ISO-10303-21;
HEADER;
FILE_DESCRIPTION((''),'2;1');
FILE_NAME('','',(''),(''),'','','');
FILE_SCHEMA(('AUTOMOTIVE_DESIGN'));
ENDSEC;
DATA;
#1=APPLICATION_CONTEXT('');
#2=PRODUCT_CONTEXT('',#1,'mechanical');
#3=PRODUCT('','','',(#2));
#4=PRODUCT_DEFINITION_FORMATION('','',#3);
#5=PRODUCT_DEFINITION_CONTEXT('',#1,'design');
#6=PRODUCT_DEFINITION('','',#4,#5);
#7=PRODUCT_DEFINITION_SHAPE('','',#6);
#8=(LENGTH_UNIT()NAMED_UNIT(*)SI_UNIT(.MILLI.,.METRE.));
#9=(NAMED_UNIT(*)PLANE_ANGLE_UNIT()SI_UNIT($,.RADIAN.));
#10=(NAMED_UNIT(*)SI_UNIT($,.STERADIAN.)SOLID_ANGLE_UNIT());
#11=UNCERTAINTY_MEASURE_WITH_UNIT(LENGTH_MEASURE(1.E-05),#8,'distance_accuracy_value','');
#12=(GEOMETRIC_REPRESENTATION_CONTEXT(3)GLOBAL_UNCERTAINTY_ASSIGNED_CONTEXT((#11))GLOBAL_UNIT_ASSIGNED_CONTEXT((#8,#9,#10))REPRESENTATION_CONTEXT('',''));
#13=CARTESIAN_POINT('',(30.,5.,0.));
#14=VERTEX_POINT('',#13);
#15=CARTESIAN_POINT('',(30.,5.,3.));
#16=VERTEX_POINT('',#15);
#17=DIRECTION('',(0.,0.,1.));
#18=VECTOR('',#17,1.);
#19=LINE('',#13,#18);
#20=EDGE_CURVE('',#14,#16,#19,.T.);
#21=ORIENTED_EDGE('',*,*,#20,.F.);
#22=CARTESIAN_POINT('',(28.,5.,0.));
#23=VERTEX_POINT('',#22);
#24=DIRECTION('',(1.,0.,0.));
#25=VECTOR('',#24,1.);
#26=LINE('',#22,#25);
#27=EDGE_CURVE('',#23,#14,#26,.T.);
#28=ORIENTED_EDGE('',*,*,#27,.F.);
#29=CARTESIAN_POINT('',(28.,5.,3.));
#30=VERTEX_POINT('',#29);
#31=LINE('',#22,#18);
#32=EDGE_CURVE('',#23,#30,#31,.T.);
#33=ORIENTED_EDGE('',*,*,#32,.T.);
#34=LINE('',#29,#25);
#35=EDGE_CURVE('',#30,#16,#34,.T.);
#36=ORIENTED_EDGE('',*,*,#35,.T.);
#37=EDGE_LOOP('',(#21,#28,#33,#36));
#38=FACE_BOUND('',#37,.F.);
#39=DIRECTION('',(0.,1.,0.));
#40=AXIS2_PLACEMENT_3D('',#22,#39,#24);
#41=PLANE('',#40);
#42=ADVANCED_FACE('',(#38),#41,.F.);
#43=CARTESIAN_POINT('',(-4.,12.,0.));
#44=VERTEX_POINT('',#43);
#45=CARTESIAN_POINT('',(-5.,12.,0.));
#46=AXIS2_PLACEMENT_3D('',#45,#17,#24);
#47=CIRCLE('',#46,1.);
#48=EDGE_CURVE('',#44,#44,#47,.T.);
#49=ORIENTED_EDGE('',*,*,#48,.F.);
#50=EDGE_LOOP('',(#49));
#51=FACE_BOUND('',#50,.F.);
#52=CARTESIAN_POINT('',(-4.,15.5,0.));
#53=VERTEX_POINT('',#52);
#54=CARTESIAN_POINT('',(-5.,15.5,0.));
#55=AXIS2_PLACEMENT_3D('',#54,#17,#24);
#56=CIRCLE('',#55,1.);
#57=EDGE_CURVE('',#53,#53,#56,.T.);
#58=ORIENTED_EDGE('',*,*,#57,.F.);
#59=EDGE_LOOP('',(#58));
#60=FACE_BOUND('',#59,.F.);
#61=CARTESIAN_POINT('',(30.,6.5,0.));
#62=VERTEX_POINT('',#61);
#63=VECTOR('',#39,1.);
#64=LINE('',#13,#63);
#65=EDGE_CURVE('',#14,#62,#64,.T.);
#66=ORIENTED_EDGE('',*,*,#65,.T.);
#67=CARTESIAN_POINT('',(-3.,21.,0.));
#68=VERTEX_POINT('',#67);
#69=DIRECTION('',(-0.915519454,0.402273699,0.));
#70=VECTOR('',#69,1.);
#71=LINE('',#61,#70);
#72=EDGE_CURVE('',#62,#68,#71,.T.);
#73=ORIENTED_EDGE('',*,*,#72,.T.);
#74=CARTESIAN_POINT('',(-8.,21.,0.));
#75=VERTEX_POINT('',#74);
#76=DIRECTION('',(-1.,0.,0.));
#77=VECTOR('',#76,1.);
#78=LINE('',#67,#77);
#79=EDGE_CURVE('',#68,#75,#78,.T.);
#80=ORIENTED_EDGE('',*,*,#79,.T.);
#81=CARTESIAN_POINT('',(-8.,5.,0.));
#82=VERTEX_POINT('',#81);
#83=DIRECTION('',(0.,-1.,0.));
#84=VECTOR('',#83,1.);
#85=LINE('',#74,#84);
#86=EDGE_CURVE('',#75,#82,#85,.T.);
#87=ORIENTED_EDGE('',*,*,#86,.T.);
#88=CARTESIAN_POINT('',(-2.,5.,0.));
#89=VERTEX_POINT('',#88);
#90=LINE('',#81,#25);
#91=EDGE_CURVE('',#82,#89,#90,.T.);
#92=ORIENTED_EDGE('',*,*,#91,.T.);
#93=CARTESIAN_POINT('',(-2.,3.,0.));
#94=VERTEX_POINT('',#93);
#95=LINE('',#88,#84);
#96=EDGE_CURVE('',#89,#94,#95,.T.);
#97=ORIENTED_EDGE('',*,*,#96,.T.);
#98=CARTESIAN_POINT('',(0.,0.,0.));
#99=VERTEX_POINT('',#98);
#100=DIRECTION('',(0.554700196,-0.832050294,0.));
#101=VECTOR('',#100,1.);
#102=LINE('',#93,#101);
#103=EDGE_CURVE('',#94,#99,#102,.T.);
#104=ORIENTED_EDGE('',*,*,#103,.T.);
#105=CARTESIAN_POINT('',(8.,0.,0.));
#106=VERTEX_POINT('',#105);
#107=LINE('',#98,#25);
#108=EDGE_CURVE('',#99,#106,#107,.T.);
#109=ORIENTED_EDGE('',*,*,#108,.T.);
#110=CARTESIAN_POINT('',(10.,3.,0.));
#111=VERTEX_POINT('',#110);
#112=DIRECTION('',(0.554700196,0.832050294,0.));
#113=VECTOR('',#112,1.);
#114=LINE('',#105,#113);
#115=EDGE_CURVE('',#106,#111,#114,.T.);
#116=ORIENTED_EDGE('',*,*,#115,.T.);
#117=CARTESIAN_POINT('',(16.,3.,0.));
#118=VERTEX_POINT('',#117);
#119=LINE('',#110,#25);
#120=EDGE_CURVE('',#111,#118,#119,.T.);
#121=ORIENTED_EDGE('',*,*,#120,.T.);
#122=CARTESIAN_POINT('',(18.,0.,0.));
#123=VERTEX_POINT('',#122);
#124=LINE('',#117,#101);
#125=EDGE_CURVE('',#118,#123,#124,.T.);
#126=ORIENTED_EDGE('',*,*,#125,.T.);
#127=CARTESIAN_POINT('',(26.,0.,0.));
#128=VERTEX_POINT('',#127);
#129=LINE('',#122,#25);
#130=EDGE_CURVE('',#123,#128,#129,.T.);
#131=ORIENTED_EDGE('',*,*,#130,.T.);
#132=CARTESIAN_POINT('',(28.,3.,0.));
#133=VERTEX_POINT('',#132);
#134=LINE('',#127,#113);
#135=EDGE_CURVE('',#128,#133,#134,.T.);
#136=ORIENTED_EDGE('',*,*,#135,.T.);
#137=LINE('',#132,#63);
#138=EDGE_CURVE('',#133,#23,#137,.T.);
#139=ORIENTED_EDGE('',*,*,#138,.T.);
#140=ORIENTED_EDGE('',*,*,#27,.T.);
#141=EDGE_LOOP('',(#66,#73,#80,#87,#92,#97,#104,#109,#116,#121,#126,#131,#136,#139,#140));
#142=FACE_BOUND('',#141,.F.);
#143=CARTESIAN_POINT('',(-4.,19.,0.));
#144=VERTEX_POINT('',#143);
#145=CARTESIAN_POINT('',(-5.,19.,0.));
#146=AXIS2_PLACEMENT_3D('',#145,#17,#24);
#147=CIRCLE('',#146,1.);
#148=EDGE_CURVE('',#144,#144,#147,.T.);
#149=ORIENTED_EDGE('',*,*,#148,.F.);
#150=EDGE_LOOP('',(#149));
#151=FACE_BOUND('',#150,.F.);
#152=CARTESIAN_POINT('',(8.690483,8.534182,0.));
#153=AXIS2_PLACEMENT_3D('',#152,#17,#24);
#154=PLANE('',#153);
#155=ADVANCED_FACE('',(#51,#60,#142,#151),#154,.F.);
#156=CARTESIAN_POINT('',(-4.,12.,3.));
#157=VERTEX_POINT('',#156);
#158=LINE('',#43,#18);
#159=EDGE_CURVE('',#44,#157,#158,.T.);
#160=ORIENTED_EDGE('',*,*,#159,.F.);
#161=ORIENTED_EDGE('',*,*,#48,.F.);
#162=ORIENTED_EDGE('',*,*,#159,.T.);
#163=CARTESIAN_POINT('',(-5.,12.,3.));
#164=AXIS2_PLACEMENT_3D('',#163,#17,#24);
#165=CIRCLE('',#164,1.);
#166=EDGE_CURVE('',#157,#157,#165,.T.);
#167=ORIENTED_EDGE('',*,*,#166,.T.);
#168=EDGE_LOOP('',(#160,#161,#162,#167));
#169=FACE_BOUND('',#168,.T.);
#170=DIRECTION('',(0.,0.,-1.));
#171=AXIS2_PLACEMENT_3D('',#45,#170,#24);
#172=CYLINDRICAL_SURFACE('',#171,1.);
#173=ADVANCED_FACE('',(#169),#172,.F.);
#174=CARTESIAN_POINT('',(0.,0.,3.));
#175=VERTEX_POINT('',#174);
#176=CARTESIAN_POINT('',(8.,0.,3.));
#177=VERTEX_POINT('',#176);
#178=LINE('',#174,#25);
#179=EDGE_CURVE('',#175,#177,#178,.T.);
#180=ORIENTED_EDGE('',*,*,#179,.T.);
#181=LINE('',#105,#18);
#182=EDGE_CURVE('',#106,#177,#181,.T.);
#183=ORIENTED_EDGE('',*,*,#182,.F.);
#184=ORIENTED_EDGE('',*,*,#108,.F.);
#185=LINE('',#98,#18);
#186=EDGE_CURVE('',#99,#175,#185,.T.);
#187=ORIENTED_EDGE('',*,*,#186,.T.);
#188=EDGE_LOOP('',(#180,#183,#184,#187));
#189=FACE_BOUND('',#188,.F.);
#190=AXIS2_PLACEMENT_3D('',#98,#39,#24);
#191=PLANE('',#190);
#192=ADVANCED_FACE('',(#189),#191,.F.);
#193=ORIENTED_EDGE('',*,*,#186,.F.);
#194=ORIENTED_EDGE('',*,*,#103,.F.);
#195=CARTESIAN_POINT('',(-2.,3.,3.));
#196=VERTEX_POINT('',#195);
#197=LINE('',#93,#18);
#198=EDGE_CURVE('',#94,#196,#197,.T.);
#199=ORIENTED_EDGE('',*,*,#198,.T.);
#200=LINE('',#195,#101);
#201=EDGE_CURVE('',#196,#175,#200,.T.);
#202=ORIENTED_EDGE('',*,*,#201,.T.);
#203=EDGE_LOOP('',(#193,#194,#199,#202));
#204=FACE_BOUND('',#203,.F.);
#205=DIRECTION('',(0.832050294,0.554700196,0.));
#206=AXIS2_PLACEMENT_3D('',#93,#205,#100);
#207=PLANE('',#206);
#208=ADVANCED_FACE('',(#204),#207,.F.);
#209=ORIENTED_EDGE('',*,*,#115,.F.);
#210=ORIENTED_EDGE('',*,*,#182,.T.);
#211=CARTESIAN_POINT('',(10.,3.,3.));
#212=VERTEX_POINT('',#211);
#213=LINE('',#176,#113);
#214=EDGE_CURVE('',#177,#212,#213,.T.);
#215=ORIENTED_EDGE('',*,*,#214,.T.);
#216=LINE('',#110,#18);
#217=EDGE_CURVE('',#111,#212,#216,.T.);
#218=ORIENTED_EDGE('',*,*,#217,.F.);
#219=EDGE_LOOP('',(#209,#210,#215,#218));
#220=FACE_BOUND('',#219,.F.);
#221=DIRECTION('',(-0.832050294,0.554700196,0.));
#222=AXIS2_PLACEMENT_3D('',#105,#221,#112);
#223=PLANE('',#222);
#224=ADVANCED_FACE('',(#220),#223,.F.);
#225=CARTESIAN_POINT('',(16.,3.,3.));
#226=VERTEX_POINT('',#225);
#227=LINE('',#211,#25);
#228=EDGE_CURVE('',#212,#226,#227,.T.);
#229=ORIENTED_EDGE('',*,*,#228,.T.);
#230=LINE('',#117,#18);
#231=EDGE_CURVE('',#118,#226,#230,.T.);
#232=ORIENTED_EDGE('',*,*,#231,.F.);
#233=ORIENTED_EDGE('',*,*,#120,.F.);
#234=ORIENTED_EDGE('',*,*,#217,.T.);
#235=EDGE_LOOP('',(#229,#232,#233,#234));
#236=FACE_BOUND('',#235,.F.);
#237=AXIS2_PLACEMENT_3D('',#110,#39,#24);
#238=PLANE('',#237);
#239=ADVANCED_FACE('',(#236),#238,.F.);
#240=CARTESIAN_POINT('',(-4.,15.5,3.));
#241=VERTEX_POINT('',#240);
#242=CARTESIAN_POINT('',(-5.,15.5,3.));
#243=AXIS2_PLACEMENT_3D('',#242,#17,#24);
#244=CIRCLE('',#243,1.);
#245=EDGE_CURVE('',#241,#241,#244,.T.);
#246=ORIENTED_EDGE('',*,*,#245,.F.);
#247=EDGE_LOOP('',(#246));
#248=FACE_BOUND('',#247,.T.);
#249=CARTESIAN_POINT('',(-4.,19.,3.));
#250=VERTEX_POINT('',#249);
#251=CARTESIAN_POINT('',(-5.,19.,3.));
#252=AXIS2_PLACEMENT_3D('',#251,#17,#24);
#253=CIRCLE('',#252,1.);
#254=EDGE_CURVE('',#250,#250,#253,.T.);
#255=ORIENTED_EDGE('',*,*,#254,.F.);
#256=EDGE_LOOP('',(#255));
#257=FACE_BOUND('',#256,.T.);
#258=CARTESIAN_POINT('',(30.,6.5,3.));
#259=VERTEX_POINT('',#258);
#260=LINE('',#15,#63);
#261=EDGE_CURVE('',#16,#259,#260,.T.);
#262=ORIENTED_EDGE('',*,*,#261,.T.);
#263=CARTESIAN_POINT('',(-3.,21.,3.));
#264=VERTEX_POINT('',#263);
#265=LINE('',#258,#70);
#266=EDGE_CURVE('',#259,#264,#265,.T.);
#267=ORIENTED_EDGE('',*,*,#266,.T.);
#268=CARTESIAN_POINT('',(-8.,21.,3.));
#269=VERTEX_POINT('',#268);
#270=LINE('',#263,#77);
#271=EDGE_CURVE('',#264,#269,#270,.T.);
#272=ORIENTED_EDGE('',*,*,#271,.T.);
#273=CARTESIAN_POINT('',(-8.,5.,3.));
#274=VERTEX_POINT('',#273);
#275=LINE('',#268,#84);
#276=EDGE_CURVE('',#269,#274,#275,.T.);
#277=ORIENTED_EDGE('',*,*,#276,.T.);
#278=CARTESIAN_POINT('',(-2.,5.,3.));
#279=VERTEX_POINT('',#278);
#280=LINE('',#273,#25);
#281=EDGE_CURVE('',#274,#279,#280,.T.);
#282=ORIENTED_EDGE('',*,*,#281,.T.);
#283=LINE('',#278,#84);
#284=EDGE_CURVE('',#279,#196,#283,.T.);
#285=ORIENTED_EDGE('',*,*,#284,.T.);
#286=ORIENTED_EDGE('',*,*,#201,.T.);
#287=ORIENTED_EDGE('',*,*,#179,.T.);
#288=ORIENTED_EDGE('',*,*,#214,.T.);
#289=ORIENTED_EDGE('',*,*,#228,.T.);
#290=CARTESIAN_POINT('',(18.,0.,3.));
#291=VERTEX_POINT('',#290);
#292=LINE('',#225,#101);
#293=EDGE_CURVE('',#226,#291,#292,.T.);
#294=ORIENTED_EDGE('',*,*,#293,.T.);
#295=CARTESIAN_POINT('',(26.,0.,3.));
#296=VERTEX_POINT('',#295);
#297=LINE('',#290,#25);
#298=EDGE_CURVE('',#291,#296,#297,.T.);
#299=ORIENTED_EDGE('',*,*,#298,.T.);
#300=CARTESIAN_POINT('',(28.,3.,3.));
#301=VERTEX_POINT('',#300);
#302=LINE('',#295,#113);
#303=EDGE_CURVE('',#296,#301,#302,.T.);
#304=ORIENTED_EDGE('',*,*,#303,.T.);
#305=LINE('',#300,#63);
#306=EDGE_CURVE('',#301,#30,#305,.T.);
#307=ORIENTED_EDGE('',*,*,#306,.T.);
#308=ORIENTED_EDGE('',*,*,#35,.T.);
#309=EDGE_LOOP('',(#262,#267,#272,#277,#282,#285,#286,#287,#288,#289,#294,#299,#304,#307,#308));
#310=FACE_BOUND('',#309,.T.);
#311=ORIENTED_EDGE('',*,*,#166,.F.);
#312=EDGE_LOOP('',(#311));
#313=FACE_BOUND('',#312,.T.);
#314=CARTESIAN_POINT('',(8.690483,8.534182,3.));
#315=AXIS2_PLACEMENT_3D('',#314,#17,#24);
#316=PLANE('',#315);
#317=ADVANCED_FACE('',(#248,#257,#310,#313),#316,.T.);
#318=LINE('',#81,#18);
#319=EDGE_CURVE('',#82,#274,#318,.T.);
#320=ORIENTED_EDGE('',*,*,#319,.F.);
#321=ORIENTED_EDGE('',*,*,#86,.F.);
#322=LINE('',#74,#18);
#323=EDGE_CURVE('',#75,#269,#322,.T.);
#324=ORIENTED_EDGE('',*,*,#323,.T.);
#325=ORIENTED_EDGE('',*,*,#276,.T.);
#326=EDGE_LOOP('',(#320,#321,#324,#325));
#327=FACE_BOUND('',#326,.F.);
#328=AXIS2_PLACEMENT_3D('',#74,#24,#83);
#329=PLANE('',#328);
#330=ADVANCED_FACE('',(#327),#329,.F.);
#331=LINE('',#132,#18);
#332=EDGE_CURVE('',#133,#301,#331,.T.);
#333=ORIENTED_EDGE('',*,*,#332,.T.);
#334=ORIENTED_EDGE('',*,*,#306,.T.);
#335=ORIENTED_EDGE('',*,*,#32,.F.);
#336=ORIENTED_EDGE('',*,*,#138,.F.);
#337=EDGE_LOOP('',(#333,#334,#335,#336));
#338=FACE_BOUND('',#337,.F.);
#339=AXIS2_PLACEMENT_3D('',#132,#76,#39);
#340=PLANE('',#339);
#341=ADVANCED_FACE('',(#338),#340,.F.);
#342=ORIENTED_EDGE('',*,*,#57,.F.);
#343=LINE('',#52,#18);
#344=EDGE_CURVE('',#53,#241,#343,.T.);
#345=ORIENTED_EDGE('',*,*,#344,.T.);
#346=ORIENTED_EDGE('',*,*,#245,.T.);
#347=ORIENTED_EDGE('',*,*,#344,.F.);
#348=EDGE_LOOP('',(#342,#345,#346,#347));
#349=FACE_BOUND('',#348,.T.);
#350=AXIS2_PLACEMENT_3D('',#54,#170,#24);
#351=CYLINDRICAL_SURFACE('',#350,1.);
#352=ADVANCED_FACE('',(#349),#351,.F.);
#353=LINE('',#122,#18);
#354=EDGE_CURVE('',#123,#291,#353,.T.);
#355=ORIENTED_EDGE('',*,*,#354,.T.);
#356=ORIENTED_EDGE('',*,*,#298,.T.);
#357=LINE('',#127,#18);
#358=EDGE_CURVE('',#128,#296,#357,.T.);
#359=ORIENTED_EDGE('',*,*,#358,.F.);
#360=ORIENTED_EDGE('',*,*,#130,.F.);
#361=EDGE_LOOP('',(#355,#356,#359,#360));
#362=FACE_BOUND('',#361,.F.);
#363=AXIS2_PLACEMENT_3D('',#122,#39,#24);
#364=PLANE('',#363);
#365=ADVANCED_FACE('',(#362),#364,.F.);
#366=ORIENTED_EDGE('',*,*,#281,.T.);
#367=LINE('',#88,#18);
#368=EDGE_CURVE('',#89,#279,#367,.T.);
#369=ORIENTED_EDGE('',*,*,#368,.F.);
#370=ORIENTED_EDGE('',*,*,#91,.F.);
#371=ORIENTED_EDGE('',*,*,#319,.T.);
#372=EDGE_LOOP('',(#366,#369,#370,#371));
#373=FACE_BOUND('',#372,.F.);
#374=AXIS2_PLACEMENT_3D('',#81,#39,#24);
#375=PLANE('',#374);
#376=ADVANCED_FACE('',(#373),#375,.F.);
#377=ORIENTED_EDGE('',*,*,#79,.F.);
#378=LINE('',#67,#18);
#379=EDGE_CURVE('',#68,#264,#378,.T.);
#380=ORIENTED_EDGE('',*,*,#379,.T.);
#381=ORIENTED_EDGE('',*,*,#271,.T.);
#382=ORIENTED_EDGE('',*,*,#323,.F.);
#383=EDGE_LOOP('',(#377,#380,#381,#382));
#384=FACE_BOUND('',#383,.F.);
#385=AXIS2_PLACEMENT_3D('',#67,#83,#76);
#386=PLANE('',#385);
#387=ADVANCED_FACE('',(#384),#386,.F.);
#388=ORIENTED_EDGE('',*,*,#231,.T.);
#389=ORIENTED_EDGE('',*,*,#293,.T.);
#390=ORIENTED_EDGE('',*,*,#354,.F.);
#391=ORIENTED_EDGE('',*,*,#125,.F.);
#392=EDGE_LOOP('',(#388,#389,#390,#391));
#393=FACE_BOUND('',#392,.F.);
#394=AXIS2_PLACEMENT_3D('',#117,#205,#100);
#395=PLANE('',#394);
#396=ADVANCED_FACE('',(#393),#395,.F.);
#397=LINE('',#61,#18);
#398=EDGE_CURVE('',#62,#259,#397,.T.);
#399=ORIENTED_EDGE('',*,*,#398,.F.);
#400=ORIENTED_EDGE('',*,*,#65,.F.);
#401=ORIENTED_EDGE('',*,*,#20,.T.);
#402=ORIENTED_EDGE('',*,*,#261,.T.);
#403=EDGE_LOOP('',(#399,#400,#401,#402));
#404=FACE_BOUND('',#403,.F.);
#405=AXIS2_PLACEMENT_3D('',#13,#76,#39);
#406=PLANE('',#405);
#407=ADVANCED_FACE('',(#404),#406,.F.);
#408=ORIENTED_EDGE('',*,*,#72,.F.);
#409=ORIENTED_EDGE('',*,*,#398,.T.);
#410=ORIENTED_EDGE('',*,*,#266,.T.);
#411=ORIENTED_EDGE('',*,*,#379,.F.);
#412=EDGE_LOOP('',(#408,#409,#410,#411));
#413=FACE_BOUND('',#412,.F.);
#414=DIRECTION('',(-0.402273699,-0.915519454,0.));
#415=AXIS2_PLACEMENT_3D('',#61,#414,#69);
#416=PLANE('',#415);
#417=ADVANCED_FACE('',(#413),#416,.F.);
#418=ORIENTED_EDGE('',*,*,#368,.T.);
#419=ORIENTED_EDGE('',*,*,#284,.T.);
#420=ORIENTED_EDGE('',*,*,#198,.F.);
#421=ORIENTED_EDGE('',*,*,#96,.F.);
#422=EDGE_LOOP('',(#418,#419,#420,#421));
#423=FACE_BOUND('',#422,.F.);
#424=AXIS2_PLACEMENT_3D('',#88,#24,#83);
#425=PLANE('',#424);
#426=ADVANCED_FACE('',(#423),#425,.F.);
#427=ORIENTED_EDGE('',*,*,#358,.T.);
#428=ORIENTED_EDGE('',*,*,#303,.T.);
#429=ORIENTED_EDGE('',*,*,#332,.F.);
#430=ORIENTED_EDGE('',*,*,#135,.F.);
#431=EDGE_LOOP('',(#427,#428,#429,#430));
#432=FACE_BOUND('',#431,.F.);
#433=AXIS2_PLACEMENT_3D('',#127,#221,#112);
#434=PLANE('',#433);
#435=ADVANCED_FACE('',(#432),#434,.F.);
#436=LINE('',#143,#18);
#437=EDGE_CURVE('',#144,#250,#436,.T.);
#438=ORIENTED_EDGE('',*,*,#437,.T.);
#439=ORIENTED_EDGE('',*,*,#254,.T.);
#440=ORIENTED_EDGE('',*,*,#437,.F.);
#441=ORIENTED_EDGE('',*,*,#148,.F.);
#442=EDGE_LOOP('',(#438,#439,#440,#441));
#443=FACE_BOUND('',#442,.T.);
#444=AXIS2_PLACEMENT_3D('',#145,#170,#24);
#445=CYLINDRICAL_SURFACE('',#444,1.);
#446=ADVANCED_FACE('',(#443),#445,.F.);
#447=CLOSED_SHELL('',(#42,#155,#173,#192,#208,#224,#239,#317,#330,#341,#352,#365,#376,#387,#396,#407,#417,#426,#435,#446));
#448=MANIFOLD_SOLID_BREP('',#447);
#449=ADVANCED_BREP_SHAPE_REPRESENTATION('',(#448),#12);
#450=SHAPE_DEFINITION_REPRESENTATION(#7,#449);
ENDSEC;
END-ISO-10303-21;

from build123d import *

# Parameters (mm, degrees)
SKETCH_R  = 1
PAD_DEPTH = 3


with BuildPart() as part:
    # Sketch → Pad (new body)
    with BuildSketch(Plane.XY):
        Polygon((0, 0), (8, 0), (10, 3), (16, 3), (18, 0), (26, 0), (28, 3), (28, 5), (30, 5), (30, 6.5), (-3, 21), (-8, 21), (-8, 5), (-2, 5), (-2, 3), align=None)
        with Locations((-5, 19)):
            Circle(SKETCH_R, mode=Mode.SUBTRACT)
        with Locations((-5, 15.5)):
            Circle(SKETCH_R, mode=Mode.SUBTRACT)
        with Locations((-5, 12)):
            Circle(SKETCH_R, mode=Mode.SUBTRACT)
    extrude(amount=PAD_DEPTH)


solid = part.part
